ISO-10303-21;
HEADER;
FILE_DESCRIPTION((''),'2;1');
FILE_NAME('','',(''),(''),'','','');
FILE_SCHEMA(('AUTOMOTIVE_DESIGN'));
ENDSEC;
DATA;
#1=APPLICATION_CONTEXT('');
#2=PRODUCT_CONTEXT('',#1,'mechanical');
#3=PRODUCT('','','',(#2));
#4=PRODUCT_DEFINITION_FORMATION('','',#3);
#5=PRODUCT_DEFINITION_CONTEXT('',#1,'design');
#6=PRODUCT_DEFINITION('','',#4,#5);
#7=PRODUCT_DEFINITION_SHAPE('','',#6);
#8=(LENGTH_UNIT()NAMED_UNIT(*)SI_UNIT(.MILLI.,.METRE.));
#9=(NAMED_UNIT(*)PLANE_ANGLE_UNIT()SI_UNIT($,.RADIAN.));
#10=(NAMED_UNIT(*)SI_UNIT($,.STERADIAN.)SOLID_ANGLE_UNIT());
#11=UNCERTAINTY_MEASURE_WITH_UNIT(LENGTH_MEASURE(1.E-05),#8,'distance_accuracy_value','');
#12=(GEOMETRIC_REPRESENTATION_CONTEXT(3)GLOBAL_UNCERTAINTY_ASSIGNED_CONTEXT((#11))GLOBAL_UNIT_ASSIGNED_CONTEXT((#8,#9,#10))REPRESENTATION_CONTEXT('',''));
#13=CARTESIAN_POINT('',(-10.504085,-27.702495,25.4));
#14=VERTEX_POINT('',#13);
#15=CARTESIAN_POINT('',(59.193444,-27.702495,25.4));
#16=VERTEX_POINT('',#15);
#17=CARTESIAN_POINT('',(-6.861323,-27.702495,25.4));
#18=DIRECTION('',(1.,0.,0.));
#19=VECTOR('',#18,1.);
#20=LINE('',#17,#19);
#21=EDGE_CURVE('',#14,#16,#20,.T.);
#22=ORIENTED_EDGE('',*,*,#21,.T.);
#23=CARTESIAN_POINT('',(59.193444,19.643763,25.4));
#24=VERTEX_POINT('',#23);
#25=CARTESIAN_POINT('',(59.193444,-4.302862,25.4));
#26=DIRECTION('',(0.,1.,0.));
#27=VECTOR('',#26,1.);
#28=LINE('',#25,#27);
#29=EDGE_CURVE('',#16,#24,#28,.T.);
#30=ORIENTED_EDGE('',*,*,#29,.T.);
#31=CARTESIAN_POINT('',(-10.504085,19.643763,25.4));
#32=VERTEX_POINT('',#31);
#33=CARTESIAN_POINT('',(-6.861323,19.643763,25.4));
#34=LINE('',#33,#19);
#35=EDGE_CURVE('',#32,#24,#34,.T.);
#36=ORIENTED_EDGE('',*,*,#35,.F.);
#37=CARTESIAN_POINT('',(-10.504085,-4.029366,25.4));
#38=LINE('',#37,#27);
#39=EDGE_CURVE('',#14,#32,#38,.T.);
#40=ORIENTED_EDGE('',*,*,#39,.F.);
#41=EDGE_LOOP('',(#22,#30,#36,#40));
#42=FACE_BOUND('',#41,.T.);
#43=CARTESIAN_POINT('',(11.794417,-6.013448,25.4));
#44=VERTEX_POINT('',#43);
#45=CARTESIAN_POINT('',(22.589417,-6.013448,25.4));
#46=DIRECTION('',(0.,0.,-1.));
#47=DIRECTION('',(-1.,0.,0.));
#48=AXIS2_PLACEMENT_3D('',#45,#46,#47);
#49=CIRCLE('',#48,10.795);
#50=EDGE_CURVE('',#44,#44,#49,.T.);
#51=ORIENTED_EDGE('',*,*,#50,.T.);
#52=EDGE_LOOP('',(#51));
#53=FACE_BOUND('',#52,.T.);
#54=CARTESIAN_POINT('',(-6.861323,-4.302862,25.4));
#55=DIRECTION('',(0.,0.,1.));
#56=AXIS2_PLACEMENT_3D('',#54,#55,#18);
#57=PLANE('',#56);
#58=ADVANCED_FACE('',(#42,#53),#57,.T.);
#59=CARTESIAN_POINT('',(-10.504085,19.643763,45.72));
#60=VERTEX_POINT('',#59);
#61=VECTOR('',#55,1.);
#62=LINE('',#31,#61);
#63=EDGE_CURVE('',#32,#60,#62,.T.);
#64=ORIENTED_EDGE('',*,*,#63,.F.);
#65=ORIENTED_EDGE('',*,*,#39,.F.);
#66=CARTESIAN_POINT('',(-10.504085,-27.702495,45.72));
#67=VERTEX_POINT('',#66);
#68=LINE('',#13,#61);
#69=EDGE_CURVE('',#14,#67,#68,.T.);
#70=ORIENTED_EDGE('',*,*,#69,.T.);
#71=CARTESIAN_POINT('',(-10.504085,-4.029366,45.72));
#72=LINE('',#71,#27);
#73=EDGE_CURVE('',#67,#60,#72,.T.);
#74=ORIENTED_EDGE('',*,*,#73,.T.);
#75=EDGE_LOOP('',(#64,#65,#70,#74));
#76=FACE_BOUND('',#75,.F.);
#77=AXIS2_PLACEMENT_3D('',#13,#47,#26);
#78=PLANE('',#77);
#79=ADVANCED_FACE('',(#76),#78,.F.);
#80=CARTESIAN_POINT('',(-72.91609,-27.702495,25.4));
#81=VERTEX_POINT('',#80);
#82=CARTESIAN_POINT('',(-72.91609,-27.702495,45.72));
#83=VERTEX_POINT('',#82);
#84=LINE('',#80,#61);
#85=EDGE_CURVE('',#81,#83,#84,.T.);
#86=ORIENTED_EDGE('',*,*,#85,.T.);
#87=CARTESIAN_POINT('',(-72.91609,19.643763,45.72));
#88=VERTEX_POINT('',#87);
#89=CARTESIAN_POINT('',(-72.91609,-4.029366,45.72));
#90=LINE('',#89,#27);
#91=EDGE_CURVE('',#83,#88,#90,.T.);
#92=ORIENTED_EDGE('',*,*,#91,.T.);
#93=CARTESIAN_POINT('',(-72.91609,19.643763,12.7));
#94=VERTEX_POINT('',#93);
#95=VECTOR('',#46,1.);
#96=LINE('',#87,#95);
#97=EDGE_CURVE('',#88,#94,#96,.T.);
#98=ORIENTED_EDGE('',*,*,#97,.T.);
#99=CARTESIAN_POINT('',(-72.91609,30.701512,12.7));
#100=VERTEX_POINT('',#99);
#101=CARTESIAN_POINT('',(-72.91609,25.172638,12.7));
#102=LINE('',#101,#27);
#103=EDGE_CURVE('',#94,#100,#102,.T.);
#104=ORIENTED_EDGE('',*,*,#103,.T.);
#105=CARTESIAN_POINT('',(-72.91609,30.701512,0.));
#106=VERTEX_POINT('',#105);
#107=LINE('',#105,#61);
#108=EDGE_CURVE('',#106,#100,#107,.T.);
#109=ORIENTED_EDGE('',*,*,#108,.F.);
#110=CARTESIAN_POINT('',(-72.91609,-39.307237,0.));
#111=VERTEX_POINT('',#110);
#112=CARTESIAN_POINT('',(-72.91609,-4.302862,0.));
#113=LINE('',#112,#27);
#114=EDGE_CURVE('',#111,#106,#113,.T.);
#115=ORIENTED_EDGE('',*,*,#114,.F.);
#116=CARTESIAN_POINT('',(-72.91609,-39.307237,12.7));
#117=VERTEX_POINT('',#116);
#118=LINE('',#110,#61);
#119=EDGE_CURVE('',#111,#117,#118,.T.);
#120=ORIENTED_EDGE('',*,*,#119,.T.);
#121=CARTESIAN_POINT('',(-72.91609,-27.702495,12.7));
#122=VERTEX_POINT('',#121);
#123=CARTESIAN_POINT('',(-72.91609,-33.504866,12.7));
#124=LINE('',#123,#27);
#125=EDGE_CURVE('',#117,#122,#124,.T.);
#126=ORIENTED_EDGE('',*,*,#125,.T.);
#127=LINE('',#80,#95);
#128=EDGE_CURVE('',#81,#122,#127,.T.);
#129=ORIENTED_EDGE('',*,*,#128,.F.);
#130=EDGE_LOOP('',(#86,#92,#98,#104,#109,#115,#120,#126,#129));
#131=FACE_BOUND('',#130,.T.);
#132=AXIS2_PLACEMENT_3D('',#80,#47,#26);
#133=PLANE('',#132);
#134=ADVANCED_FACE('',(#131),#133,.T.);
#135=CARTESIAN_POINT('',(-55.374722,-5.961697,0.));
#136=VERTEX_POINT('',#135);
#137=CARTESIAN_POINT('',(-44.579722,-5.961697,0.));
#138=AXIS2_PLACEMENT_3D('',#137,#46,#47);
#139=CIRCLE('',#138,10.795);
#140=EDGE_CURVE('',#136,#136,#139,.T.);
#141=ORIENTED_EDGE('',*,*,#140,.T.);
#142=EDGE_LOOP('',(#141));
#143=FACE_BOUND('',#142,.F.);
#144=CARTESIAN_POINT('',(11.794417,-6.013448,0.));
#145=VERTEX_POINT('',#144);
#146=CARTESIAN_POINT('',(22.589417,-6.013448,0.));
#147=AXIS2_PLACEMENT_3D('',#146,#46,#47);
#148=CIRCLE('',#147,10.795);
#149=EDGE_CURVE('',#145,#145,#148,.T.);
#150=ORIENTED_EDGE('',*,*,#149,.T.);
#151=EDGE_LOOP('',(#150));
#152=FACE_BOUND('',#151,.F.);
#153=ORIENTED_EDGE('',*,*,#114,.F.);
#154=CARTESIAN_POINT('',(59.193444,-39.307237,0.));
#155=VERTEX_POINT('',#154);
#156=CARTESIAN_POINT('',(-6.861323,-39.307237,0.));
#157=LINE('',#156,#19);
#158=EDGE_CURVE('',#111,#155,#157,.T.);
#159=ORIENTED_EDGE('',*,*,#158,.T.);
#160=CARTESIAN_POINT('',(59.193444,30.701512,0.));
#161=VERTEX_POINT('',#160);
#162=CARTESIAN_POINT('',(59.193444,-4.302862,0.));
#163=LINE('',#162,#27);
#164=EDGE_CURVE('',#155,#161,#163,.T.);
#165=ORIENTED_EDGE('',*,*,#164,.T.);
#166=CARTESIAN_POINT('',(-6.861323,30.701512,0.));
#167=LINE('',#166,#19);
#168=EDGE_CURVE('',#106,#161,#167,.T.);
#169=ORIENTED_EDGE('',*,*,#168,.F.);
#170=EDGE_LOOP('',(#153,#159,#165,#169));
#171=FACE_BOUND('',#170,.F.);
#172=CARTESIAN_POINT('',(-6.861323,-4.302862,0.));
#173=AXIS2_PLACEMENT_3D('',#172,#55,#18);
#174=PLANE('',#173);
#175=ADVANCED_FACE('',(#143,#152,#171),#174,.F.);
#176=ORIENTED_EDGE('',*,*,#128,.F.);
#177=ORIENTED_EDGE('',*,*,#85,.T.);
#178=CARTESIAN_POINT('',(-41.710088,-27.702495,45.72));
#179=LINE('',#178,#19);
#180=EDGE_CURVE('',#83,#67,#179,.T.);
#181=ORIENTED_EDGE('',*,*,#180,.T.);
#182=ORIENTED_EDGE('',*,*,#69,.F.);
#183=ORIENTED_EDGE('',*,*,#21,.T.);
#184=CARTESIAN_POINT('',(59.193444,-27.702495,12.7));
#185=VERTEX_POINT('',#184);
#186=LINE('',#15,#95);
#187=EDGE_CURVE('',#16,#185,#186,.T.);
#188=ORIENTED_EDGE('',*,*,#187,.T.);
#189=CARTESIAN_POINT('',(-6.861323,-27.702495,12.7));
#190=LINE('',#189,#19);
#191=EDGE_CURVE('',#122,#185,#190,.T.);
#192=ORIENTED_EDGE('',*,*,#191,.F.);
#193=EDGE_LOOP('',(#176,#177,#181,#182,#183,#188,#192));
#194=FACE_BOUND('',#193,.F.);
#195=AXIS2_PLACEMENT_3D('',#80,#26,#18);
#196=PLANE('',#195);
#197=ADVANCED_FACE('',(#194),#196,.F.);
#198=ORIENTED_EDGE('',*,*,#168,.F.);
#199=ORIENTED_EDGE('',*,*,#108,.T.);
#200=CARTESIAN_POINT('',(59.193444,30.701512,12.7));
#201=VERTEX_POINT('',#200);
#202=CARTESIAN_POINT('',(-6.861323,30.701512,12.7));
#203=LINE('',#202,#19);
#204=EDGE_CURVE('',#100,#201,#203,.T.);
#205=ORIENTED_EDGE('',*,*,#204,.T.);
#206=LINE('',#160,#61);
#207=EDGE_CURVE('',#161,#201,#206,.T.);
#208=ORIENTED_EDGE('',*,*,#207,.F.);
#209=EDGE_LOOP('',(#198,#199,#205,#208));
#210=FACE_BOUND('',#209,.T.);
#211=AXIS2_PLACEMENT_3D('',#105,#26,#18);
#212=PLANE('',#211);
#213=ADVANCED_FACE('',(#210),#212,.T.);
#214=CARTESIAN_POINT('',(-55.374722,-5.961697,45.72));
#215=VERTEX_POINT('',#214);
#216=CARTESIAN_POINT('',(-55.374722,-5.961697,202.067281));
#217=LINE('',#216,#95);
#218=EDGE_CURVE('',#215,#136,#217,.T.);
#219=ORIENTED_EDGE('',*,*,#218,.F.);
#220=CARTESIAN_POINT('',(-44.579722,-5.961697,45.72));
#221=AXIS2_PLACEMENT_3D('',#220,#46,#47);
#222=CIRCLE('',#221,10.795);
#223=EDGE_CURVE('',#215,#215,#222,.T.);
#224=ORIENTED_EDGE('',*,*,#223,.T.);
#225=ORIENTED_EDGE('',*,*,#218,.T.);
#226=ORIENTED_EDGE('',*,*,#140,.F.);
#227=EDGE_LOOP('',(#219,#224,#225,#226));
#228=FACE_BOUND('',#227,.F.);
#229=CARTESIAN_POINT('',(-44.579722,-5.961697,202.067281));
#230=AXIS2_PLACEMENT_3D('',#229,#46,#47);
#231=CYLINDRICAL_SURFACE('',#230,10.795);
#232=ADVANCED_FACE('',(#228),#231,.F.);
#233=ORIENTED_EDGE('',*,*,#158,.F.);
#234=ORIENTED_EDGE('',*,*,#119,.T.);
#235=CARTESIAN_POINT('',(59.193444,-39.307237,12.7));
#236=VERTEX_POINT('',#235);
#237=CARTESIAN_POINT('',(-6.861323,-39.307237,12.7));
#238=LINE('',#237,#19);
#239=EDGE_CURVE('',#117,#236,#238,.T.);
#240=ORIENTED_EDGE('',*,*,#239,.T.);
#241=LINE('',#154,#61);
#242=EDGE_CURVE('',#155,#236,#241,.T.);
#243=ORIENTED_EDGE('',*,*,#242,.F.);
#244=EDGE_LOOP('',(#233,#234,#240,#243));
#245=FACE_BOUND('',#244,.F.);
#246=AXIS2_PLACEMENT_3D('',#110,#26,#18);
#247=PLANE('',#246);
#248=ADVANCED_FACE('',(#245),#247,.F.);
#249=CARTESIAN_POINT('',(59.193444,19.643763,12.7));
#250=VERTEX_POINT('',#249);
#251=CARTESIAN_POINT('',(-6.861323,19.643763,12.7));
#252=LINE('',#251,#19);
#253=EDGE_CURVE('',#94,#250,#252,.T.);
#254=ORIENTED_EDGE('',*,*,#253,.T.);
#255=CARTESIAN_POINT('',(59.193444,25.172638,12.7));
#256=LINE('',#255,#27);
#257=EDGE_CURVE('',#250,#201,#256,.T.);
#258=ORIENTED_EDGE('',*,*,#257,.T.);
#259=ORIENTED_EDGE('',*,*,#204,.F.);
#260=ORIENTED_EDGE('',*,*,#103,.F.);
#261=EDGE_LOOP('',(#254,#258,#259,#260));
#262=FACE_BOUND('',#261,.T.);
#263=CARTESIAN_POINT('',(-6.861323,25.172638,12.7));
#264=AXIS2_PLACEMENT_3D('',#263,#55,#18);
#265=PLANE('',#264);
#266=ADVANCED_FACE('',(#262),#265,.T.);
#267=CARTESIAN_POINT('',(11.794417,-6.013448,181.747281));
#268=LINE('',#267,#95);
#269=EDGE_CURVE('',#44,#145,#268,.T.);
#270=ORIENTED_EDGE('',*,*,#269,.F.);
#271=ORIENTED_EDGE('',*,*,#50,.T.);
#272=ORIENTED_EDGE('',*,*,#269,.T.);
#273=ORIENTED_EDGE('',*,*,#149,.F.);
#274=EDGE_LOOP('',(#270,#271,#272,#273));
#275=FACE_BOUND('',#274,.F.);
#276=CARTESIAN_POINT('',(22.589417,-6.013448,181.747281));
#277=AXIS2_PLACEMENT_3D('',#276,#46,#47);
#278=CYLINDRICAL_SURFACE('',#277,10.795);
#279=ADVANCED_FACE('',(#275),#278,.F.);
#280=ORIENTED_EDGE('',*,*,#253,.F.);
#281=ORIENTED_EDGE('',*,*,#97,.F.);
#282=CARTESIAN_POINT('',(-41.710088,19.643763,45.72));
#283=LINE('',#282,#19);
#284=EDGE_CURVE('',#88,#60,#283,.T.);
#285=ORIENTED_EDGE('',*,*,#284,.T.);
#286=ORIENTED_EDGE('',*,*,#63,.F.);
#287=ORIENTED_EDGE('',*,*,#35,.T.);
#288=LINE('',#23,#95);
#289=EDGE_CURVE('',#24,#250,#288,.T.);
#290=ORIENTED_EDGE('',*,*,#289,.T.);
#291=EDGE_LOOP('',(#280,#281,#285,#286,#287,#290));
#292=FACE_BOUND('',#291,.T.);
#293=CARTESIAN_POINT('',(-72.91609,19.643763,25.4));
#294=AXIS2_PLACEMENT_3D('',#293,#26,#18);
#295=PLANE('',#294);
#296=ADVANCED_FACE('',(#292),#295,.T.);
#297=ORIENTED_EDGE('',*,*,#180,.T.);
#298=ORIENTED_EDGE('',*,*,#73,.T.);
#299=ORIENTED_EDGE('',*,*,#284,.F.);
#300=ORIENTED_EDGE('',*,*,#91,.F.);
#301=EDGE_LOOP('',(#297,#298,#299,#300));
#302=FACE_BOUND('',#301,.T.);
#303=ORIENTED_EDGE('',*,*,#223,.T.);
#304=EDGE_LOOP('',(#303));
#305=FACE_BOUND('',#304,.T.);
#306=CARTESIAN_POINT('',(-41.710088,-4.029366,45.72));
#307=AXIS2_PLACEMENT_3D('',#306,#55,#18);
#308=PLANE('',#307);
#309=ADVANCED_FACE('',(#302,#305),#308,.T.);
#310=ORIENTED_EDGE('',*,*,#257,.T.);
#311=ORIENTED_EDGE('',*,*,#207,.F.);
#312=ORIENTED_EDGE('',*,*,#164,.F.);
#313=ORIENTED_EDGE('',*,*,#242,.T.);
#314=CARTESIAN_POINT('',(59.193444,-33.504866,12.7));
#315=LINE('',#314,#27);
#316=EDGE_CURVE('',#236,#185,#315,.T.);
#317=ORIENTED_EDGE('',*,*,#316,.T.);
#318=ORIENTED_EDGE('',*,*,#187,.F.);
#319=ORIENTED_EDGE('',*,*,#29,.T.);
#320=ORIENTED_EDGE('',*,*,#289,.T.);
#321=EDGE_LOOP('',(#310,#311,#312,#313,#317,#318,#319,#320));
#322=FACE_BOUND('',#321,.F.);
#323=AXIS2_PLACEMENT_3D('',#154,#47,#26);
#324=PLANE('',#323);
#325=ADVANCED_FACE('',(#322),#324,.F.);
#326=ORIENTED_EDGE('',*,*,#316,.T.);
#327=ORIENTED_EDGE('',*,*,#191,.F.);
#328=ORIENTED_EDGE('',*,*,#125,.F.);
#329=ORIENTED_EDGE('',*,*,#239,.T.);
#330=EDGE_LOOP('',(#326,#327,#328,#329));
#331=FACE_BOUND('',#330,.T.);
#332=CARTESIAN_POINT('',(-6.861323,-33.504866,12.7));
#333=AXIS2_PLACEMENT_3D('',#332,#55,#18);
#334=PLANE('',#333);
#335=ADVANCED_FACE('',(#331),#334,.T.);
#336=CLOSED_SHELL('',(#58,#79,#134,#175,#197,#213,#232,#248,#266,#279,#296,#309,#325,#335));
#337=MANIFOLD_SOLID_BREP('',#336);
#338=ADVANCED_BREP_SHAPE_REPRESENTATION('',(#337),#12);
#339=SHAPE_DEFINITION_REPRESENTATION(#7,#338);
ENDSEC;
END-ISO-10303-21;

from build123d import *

# Parameters (mm, degrees)
F0_W     = 132.1095339954
F0_H     = 70.0087491423
F1_DEPTH = 25.4
F2_W     = 132.1095339954
F2_H     = 11.6047412157
F3_DEPTH = 12.7
F4_W     = 132.1095339954
F4_H     = 11.0577493906
F5_DEPTH = 12.7
F6_W     = 62.4120058492
F6_H     = 47.346258536
F7_DEPTH = 20.32
F10_D    = 21.59
F12_D    = 21.59


with BuildPart() as f1:
    # F0 (on Top) → F1 (new body)
    with BuildSketch(Plane.XY):
        with Locations((-6.8613234907, -4.3028621003)):
            Rectangle(F0_W, F0_H)
    extrude(amount=F1_DEPTH)

    # F2 (on face) → F3 (cut)
    with BuildSketch(Plane.XY.offset(25.4)):
        with Locations((-6.8613234907, -33.5048660636)):
            Rectangle(F2_W, F2_H)
    extrude(amount=-F3_DEPTH, mode=Mode.SUBTRACT)

    # F4 (on face) → F5 (cut)
    with BuildSketch(Plane.XY.offset(25.4)):
        with Locations((-6.8613234907, 25.1726377755)):
            Rectangle(F4_W, F4_H)
    extrude(amount=-F5_DEPTH, mode=Mode.SUBTRACT)

    # F6 (on face) → F7 (join)
    with BuildSketch(Plane.XY.offset(25.4)):
        with Locations((-41.7100875638, -4.0293661878)):
            Rectangle(F6_W, F6_H)
    extrude(amount=F7_DEPTH)

    # F10 (through all)
    with Locations(Plane.XY.offset(45.72)):
        with Locations((-44.5797219872, -5.9616966173)):
            Hole(F10_D / 2)

    # F12 (through all)
    with Locations(Plane.XY.offset(25.4)):
        with Locations((22.5894171745, -6.0134478845)):
            Hole(F12_D / 2)


solid = f1.part
